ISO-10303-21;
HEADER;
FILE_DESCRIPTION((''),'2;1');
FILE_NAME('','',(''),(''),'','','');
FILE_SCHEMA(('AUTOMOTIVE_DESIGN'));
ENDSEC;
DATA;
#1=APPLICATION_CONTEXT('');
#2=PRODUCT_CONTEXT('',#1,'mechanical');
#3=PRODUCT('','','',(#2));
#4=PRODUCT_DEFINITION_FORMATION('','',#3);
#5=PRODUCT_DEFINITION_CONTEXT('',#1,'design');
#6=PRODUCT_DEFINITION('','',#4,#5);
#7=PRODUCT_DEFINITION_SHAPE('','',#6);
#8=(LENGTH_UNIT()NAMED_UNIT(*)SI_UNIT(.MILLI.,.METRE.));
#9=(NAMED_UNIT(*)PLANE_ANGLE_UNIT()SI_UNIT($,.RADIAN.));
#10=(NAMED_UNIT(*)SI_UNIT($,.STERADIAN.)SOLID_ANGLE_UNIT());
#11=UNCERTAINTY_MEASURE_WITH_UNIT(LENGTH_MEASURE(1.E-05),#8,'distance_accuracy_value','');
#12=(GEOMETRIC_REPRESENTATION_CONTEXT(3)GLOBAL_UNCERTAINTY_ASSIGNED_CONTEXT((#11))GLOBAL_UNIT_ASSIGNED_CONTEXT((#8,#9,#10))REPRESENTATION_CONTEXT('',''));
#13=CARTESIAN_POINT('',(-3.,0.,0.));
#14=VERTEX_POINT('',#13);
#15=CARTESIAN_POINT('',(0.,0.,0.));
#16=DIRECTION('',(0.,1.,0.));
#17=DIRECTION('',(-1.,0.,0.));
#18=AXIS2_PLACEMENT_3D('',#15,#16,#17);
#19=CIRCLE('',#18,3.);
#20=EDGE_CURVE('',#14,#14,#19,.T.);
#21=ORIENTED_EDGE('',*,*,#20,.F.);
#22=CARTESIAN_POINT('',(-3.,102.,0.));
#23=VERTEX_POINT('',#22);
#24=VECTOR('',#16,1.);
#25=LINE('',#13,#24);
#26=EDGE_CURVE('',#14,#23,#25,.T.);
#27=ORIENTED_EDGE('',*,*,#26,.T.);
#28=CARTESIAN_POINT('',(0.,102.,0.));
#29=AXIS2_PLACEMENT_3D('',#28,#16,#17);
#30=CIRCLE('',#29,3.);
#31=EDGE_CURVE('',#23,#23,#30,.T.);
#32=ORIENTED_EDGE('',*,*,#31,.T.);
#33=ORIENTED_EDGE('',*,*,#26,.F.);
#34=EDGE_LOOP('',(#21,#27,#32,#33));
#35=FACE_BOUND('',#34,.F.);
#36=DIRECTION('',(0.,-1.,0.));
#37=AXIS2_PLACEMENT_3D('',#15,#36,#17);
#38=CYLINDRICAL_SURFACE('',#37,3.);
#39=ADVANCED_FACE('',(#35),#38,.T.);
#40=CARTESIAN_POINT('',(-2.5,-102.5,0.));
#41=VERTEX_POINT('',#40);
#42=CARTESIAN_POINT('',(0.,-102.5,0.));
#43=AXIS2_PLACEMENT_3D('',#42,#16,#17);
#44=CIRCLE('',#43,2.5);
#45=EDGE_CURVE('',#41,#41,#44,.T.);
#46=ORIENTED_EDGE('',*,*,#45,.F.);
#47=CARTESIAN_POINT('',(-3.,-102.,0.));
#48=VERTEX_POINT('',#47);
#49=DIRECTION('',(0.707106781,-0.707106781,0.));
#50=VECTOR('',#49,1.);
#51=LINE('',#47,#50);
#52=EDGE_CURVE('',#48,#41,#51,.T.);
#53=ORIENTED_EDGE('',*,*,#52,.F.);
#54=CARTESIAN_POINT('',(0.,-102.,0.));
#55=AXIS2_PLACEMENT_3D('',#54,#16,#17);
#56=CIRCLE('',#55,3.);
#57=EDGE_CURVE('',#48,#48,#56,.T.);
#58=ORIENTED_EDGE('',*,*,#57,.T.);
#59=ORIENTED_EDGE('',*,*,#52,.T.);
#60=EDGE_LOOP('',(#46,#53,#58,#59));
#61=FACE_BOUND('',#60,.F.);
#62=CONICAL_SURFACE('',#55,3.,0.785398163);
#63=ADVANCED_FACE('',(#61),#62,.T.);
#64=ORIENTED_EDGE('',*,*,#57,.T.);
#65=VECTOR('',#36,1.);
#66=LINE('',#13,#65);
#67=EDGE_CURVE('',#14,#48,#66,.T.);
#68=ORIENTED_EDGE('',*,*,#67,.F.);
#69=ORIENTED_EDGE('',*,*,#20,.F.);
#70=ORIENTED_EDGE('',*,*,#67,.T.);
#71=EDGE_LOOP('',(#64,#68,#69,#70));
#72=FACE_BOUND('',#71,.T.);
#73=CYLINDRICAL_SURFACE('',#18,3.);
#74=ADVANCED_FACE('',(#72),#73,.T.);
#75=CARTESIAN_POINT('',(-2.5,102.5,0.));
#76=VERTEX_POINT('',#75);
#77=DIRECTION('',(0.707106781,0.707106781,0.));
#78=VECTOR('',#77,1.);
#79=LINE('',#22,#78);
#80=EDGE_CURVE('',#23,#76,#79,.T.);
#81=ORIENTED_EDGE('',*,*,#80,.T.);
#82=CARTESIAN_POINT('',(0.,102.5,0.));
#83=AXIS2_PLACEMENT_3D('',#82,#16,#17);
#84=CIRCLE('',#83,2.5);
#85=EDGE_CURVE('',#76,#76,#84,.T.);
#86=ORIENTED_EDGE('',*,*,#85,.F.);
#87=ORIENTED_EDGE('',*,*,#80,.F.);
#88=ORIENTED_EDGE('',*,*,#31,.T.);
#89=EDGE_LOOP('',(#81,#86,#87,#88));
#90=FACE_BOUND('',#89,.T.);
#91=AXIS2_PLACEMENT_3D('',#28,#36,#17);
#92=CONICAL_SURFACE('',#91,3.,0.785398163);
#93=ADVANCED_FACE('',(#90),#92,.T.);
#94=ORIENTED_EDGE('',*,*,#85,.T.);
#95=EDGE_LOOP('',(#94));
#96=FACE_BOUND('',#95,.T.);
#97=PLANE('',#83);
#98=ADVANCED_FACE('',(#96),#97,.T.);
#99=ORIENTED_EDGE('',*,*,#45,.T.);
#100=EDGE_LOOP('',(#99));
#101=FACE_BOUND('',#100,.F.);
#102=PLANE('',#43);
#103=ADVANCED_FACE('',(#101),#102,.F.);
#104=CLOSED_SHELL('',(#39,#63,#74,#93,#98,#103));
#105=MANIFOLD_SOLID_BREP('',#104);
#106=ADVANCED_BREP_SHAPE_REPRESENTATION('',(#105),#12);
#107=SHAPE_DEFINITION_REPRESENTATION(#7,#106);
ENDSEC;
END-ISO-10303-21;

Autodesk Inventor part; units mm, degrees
ref_plane "YZ Plane" through (0, 0, 0) normal (1, 0, 0) x (0, 1, 0)
ref_plane "XZ Plane" through (0, 0, 0) normal (0, 1, 0) x (-1, 0, 0)
ref_plane "XY Plane" through (0, 0, 0) normal (0, 0, 1) x (1, 0, 0)
sketch "Skizze2" plane through (0, 0, 0) normal (0, 1, 0) x (-1, 0, 0)
  line L0 (0, -4.2) -> (0, 4.2) construction
  line L1 (-4.2, 0) -> (4.2, 0) construction
  circle A0 centre (0, 0) radius 3
  dimension "d5" = 6
extrude "Grundkörper" add sketch "Skizze2" along normal mid plane 205
thread "M6" size "M6x1" class "6g" standard "ANSI Metric M Profile" full length
chamfer "Fase1" distance 0.5 angle 45 2 edges at (3, -102.5, 0) (3, 102.5, 0)
properties part number "200-60-DIFFERENTIAL-BAR-02" material "Edelstahl"
